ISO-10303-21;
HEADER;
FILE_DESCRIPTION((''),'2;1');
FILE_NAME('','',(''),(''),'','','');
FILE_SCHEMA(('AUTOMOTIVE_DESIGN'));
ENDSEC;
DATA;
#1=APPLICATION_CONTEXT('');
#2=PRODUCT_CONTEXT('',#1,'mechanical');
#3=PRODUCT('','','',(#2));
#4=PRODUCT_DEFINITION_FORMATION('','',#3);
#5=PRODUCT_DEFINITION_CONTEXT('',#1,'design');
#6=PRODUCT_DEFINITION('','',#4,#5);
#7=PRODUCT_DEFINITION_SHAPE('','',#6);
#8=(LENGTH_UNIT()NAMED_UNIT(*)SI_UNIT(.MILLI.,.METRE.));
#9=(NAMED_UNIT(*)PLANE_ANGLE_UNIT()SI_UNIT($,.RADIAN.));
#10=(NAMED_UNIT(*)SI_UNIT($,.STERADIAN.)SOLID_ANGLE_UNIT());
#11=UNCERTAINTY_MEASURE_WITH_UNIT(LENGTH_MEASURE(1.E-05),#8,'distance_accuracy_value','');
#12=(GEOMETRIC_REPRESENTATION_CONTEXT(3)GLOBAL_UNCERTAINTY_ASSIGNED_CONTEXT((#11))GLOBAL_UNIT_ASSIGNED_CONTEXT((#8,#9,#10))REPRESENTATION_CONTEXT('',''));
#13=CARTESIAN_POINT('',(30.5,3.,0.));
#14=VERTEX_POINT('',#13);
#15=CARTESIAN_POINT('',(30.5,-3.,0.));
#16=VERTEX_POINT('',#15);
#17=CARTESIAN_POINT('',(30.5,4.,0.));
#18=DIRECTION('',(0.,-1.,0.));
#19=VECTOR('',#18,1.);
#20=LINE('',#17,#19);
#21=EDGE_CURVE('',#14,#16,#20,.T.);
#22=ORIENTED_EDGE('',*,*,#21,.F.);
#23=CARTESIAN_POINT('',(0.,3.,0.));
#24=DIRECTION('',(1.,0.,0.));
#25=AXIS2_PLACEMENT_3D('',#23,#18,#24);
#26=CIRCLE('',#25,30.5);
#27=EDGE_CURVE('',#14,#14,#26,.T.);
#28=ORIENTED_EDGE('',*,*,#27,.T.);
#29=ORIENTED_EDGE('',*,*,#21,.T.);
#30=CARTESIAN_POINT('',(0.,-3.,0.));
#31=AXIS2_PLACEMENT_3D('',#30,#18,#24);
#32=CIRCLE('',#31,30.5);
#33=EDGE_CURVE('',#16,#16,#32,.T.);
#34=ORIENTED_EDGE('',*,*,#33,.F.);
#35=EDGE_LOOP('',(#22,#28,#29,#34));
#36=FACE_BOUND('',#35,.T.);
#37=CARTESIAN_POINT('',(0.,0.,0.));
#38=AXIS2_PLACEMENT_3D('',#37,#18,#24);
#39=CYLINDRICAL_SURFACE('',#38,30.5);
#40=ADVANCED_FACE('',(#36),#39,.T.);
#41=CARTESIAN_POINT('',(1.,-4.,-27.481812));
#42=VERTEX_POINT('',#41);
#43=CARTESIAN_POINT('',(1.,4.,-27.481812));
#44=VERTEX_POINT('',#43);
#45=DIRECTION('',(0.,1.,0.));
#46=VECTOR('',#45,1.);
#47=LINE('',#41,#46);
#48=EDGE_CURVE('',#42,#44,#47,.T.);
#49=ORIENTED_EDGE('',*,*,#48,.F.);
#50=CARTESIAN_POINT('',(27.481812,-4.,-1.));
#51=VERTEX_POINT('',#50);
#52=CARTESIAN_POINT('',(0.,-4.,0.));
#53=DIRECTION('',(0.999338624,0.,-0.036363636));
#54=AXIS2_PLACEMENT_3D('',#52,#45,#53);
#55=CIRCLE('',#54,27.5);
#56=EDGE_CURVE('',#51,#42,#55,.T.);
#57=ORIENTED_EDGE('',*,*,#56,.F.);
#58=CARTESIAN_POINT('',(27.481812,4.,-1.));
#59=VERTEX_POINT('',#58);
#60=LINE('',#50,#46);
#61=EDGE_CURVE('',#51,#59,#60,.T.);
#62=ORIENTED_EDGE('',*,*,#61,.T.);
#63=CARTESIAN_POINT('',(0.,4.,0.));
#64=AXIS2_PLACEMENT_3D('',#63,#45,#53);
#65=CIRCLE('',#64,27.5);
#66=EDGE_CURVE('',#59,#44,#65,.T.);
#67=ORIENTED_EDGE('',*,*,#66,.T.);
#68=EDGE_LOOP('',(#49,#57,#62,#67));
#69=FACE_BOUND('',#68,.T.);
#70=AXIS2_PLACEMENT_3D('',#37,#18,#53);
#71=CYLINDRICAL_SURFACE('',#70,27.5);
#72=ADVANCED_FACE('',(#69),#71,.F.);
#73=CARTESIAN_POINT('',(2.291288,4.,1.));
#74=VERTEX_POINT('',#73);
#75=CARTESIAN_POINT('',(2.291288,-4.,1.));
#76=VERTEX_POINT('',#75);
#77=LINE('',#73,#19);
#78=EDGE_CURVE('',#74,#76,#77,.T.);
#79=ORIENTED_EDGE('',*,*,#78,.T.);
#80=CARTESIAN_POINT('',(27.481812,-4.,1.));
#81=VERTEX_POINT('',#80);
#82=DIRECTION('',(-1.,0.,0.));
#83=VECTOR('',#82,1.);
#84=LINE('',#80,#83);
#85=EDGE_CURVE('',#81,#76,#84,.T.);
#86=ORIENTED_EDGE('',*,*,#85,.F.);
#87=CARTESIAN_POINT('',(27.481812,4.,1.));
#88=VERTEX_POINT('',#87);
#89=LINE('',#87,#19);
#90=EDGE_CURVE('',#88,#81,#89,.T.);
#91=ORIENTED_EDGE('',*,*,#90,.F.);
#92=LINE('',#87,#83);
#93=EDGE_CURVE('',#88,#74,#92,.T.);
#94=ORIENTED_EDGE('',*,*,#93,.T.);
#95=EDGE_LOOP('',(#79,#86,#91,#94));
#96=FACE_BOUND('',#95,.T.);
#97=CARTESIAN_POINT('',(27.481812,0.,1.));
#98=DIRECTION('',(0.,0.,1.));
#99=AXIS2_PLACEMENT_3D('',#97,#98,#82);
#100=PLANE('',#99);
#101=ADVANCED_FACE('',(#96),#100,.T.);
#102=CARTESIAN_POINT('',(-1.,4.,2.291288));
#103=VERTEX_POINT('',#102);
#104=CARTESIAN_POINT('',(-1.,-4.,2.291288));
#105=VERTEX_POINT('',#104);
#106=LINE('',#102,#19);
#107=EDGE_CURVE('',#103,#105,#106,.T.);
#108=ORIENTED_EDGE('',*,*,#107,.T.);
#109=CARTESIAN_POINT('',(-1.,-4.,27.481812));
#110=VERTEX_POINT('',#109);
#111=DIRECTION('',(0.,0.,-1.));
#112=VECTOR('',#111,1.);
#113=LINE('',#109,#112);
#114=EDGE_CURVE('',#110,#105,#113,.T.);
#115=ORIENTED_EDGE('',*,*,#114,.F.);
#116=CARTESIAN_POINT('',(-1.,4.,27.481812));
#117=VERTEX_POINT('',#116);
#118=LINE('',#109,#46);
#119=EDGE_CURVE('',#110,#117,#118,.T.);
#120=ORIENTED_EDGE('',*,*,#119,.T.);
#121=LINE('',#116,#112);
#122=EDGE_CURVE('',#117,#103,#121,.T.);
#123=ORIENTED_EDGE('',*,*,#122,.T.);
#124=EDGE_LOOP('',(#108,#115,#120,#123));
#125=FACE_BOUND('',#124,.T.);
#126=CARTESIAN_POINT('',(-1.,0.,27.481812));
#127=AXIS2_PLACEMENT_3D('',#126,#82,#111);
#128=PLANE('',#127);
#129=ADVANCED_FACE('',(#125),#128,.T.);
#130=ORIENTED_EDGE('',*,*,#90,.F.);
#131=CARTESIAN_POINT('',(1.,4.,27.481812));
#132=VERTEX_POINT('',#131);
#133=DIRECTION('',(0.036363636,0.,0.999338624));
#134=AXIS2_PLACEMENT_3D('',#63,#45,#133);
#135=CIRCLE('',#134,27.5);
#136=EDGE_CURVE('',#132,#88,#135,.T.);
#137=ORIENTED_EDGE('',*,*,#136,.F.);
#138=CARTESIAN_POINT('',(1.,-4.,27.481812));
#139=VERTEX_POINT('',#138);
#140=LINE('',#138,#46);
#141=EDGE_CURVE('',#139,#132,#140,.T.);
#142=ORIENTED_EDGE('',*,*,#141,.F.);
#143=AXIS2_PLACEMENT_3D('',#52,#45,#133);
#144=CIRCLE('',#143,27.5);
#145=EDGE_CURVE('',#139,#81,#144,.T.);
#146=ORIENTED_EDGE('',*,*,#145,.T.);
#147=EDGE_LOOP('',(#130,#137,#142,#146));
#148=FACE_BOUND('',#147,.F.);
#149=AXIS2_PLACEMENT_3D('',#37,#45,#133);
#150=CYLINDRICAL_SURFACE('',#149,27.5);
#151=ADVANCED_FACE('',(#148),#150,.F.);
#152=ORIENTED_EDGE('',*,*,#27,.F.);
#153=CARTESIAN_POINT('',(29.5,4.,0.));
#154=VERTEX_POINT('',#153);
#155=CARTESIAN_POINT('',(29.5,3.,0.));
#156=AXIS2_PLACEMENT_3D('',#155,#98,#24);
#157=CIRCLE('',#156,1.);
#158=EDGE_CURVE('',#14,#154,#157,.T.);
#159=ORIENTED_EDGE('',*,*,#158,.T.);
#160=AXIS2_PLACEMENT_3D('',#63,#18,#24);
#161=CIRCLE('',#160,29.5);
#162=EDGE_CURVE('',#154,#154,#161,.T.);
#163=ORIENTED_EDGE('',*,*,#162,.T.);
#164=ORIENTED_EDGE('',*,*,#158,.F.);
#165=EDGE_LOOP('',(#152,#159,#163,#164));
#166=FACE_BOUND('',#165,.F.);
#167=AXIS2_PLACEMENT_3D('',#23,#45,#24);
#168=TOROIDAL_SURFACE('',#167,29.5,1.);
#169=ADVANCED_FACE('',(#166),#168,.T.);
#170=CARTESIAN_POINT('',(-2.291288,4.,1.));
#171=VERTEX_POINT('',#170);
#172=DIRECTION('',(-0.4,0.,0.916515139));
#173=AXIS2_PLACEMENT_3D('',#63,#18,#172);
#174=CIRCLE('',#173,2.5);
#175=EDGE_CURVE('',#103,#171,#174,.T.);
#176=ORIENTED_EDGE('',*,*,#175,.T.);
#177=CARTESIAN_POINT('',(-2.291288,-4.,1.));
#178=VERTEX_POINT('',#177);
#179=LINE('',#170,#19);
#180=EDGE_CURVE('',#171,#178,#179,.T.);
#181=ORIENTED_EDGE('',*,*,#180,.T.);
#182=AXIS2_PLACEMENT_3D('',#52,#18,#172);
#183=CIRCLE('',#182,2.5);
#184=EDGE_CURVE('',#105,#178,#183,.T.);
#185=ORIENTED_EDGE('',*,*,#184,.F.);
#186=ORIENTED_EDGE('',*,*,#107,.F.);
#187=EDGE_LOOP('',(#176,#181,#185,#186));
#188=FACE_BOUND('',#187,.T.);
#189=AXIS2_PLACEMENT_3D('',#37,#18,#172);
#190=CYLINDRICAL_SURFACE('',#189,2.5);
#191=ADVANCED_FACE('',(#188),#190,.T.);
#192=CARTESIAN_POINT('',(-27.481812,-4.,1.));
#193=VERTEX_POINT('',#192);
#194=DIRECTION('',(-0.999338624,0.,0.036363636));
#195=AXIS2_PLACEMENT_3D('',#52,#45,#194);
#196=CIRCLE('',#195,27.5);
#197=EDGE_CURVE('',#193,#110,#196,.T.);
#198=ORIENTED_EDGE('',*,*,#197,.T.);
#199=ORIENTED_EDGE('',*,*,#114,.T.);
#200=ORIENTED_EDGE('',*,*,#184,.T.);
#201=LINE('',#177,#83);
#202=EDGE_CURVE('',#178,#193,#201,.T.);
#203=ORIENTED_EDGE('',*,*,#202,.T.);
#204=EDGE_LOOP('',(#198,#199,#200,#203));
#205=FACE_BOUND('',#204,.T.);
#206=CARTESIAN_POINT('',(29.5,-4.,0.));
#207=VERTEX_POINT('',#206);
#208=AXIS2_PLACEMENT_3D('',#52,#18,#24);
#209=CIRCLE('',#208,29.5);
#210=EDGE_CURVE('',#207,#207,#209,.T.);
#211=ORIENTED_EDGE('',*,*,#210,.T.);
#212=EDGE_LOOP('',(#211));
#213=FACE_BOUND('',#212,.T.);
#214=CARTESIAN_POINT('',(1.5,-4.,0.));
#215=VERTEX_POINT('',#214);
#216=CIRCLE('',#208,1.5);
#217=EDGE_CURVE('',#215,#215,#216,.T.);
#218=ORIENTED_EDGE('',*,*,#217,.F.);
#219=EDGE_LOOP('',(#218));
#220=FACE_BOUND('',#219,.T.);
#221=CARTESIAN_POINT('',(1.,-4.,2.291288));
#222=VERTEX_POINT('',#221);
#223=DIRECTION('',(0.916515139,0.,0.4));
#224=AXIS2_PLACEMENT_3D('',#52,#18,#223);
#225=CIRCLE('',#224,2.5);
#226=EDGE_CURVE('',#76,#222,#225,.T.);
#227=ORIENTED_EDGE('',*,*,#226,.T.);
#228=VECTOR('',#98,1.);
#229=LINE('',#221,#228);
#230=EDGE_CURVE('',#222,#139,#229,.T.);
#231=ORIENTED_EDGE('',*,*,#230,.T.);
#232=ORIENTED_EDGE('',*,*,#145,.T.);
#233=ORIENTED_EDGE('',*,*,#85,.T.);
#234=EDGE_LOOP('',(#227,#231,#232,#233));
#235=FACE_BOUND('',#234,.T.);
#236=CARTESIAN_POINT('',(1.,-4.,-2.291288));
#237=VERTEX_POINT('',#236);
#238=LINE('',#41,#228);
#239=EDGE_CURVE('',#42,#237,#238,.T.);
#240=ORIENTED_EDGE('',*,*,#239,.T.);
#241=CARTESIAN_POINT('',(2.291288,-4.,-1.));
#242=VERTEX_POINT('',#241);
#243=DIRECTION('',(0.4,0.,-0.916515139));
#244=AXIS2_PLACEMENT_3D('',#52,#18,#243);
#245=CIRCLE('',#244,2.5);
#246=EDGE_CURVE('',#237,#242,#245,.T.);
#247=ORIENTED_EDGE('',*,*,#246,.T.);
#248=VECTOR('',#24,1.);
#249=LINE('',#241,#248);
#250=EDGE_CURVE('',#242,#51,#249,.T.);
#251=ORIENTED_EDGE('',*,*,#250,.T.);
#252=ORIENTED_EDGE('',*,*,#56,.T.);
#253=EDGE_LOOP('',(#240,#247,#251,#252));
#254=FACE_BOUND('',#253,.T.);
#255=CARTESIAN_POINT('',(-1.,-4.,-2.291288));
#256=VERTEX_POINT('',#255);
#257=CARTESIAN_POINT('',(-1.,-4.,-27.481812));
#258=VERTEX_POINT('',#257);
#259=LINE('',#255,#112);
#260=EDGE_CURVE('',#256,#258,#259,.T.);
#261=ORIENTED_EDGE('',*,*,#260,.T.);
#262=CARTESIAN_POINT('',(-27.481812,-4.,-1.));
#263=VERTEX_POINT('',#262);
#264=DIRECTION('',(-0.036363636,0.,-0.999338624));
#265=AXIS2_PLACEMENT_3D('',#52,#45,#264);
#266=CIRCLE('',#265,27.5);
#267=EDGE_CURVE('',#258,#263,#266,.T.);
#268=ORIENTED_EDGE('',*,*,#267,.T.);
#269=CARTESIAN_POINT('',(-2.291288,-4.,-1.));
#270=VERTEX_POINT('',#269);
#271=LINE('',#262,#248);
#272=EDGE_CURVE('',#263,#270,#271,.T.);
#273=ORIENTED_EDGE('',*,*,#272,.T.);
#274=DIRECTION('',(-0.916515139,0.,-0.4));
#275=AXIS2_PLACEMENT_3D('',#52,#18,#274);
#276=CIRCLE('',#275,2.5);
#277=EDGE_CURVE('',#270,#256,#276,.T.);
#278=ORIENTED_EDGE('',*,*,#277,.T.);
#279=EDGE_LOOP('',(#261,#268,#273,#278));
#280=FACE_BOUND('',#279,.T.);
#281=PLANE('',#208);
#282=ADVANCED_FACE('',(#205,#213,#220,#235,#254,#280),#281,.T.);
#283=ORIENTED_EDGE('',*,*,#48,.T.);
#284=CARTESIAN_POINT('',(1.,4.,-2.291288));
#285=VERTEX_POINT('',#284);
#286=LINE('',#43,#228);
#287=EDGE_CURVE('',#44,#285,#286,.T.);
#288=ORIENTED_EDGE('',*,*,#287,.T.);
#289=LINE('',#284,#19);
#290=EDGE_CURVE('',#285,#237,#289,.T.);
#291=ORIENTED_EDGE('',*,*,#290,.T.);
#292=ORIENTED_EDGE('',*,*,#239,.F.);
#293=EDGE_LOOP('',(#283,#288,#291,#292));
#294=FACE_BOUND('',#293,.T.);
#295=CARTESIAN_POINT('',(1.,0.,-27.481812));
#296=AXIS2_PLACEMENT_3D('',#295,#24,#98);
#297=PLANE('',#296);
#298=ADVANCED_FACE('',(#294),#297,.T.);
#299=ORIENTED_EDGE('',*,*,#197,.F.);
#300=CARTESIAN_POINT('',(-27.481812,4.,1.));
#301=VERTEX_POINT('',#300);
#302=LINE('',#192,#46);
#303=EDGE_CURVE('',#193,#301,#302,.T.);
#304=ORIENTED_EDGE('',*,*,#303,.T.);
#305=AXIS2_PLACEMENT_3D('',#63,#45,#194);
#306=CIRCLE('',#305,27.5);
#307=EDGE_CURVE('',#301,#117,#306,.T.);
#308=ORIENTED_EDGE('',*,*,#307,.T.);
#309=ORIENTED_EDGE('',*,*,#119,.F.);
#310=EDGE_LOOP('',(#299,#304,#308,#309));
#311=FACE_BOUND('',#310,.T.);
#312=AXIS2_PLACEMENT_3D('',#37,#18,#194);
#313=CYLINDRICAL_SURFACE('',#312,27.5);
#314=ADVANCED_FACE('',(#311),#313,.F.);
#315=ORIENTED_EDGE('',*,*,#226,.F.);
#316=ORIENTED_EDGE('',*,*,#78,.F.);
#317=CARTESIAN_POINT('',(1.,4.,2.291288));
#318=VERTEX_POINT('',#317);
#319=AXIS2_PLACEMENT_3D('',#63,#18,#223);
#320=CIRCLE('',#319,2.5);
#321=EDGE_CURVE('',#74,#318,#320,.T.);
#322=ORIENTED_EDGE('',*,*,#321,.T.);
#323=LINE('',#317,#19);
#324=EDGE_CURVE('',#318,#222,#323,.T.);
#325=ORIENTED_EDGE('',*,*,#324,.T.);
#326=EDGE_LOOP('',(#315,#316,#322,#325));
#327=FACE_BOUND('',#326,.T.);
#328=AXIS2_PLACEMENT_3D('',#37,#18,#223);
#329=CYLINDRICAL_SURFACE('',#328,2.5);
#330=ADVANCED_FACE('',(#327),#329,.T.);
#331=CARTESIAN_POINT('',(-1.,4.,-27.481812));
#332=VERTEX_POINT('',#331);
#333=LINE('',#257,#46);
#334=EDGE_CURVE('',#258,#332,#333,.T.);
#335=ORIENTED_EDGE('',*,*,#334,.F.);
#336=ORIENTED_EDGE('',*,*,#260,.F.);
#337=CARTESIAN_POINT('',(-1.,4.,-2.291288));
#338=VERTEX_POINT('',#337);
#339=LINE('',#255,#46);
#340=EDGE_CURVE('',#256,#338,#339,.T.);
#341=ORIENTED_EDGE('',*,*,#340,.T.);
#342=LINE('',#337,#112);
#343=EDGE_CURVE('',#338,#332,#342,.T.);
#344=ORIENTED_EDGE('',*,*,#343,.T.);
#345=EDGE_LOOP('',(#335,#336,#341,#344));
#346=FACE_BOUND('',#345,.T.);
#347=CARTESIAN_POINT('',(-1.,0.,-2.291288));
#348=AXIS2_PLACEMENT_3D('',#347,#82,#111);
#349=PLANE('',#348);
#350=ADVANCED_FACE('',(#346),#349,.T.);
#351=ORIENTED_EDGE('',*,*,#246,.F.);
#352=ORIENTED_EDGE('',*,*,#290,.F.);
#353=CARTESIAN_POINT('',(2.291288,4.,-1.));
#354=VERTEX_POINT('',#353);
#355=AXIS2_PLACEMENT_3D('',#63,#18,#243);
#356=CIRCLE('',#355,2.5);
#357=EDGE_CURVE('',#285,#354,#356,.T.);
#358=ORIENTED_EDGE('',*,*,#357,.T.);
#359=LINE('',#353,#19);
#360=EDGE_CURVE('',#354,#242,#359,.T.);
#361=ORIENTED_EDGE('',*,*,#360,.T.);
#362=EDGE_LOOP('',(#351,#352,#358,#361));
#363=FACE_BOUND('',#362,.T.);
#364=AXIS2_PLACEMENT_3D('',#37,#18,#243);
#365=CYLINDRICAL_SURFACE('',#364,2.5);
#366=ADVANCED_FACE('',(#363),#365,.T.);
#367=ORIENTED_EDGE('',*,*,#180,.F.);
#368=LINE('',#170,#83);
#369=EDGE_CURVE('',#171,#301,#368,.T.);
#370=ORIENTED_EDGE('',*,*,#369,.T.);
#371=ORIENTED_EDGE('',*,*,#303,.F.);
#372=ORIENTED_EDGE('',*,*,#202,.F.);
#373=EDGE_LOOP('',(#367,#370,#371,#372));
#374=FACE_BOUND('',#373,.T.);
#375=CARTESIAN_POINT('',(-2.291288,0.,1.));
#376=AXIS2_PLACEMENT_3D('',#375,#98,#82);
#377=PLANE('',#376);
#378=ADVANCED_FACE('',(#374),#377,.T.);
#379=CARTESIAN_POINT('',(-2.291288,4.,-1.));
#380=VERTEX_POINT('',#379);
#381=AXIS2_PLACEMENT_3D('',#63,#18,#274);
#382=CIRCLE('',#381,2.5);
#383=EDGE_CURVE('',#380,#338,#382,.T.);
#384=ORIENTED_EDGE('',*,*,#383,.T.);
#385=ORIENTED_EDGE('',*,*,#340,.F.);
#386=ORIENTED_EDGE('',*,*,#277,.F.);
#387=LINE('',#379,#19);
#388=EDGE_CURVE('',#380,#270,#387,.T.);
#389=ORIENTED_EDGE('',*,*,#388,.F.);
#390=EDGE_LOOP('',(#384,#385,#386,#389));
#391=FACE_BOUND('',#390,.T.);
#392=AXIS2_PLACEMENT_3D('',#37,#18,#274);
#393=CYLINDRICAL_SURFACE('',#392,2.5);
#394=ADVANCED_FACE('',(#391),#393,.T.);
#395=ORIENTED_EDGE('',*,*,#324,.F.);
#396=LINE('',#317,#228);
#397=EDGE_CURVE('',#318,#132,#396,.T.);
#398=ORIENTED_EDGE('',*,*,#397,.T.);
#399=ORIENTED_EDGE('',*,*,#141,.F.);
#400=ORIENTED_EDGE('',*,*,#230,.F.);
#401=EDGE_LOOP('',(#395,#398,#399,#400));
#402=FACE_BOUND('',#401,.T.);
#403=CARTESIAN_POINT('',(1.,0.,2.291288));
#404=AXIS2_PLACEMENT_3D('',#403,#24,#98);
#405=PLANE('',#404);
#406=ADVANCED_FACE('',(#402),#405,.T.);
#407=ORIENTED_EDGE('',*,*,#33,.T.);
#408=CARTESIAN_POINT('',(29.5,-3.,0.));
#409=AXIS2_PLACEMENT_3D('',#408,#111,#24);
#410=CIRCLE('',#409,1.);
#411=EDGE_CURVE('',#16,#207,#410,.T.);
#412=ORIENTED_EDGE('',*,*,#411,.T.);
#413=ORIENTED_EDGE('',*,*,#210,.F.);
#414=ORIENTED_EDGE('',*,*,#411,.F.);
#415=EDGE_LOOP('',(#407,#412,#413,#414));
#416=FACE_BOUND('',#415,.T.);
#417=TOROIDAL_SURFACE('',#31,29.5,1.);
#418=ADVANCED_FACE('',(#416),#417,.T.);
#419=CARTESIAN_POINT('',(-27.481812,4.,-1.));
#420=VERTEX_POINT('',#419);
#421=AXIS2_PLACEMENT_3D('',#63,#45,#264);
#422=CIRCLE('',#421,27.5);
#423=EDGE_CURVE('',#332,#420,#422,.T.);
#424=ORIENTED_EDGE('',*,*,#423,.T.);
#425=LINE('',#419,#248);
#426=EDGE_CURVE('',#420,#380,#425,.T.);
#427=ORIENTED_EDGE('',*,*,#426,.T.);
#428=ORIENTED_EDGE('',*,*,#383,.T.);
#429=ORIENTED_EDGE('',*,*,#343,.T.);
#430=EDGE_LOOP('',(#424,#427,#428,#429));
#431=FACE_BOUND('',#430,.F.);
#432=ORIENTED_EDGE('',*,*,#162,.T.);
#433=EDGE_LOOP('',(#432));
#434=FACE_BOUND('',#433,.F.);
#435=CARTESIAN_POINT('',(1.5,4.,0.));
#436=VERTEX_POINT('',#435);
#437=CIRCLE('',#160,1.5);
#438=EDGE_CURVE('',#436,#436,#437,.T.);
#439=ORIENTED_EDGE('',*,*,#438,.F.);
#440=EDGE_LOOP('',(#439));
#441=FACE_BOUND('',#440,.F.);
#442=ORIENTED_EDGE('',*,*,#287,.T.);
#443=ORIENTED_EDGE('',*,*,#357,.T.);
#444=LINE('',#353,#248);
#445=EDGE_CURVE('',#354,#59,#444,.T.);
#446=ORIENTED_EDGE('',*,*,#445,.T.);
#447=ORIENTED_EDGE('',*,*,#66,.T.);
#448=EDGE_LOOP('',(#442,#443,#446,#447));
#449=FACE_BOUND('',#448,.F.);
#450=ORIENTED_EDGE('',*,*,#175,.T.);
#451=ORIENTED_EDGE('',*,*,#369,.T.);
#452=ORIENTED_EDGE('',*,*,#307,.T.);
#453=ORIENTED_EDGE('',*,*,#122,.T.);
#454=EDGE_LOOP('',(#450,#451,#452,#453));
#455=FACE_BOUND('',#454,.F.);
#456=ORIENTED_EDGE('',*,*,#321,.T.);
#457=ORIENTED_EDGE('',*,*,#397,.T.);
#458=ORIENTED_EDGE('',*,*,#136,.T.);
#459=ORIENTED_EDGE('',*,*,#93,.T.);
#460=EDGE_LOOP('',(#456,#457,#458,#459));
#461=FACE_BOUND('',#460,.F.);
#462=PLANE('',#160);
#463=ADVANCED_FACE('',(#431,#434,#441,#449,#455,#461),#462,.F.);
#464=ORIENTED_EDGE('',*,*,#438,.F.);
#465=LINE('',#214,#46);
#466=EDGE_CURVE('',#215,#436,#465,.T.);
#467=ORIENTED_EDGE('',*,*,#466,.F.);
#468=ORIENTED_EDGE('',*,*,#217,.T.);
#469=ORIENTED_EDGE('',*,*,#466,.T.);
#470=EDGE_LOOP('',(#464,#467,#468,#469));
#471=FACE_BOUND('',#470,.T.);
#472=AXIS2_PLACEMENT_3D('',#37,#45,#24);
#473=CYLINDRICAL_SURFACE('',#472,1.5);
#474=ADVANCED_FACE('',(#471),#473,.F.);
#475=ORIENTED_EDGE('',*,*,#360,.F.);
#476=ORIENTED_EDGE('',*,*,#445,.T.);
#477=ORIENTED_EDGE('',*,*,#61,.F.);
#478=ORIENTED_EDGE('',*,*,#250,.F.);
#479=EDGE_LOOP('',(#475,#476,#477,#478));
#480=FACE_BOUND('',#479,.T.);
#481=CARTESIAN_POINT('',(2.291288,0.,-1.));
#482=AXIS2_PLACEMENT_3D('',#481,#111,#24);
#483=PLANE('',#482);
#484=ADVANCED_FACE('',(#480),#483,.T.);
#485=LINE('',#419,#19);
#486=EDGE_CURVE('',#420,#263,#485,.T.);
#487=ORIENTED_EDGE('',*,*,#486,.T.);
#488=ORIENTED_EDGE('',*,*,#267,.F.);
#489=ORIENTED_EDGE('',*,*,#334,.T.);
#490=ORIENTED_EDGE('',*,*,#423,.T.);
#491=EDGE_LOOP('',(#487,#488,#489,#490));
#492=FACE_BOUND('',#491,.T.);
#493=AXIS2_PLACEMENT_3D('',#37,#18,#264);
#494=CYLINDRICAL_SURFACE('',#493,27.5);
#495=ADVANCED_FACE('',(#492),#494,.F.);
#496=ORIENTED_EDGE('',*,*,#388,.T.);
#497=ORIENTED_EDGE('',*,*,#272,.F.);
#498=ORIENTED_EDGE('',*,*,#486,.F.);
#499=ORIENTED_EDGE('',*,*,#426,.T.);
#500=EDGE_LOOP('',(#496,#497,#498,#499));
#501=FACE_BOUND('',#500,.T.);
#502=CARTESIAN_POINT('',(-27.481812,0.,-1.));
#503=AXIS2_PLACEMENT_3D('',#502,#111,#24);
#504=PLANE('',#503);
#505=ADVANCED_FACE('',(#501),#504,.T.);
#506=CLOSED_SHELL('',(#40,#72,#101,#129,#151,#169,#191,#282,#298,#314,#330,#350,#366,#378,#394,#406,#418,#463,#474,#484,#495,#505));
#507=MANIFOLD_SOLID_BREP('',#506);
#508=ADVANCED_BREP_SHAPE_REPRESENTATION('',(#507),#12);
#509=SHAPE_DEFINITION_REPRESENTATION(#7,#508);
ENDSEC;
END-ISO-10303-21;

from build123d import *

# Parameters (mm, degrees)
F0_R     = 30.5
F0_R_2   = 1.5000000096
F1_DEPTH = 4
F2_R     = 1


with BuildPart() as f1:
    # F0 (on Front) → F1 (new body, symmetric)
    with BuildSketch(Plane.XZ):
        Circle(F0_R)
        with BuildLine():
            Line((-27.4818121673, -1), (-2.2912878475, -1))
            ThreePointArc((-2.2912878475, -1), (-1.767766953, -1.767766953), (-1, -2.2912878475))
            Line((-1, -2.2912878475), (-1, -27.4818121673))
            ThreePointArc((-1, -27.4818121673), (-19.4454364826, -19.4454364826), (-27.4818121673, -1))
        make_face(mode=Mode.SUBTRACT)
        with BuildLine():
            ThreePointArc((1, -2.2912878475), (1.767766953, -1.767766953), (2.2912878475, -1))
            Line((2.2912878475, -1), (27.4818121673, -1))
            ThreePointArc((27.4818121673, -1), (19.4454364826, -19.4454364826), (1, -27.4818121673))
            Line((1, -27.4818121673), (1, -2.2912878475))
        make_face(mode=Mode.SUBTRACT)
        with BuildLine():
            ThreePointArc((-1, 2.2912878475), (-1.767766953, 1.767766953), (-2.2912878475, 1))
            Line((-2.2912878475, 1), (-27.4818121673, 1))
            ThreePointArc((-27.4818121673, 1), (-19.4454364826, 19.4454364826), (-1, 27.4818121673))
            Line((-1, 27.4818121673), (-1, 2.2912878475))
        make_face(mode=Mode.SUBTRACT)
        Circle(F0_R_2, mode=Mode.SUBTRACT)
        with BuildLine():
            ThreePointArc((1, 27.4818121673), (19.4454364826, 19.4454364826), (27.4818121673, 1))
            Line((27.4818121673, 1), (2.2912878475, 1))
            ThreePointArc((2.2912878475, 1), (1.767766953, 1.767766953), (1, 2.2912878475))
            Line((1, 2.2912878475), (1, 27.4818121673))
        make_face(mode=Mode.SUBTRACT)
    extrude(amount=F1_DEPTH, both=True)

    # F2
    f2_edges = [f1.edges().sort_by_distance(p)[0] for p in [
        (-30.5, -4, 0),
        (-30.5, 4, 0),
    ]]
    fillet(f2_edges, radius=F2_R)


solid = f1.part
